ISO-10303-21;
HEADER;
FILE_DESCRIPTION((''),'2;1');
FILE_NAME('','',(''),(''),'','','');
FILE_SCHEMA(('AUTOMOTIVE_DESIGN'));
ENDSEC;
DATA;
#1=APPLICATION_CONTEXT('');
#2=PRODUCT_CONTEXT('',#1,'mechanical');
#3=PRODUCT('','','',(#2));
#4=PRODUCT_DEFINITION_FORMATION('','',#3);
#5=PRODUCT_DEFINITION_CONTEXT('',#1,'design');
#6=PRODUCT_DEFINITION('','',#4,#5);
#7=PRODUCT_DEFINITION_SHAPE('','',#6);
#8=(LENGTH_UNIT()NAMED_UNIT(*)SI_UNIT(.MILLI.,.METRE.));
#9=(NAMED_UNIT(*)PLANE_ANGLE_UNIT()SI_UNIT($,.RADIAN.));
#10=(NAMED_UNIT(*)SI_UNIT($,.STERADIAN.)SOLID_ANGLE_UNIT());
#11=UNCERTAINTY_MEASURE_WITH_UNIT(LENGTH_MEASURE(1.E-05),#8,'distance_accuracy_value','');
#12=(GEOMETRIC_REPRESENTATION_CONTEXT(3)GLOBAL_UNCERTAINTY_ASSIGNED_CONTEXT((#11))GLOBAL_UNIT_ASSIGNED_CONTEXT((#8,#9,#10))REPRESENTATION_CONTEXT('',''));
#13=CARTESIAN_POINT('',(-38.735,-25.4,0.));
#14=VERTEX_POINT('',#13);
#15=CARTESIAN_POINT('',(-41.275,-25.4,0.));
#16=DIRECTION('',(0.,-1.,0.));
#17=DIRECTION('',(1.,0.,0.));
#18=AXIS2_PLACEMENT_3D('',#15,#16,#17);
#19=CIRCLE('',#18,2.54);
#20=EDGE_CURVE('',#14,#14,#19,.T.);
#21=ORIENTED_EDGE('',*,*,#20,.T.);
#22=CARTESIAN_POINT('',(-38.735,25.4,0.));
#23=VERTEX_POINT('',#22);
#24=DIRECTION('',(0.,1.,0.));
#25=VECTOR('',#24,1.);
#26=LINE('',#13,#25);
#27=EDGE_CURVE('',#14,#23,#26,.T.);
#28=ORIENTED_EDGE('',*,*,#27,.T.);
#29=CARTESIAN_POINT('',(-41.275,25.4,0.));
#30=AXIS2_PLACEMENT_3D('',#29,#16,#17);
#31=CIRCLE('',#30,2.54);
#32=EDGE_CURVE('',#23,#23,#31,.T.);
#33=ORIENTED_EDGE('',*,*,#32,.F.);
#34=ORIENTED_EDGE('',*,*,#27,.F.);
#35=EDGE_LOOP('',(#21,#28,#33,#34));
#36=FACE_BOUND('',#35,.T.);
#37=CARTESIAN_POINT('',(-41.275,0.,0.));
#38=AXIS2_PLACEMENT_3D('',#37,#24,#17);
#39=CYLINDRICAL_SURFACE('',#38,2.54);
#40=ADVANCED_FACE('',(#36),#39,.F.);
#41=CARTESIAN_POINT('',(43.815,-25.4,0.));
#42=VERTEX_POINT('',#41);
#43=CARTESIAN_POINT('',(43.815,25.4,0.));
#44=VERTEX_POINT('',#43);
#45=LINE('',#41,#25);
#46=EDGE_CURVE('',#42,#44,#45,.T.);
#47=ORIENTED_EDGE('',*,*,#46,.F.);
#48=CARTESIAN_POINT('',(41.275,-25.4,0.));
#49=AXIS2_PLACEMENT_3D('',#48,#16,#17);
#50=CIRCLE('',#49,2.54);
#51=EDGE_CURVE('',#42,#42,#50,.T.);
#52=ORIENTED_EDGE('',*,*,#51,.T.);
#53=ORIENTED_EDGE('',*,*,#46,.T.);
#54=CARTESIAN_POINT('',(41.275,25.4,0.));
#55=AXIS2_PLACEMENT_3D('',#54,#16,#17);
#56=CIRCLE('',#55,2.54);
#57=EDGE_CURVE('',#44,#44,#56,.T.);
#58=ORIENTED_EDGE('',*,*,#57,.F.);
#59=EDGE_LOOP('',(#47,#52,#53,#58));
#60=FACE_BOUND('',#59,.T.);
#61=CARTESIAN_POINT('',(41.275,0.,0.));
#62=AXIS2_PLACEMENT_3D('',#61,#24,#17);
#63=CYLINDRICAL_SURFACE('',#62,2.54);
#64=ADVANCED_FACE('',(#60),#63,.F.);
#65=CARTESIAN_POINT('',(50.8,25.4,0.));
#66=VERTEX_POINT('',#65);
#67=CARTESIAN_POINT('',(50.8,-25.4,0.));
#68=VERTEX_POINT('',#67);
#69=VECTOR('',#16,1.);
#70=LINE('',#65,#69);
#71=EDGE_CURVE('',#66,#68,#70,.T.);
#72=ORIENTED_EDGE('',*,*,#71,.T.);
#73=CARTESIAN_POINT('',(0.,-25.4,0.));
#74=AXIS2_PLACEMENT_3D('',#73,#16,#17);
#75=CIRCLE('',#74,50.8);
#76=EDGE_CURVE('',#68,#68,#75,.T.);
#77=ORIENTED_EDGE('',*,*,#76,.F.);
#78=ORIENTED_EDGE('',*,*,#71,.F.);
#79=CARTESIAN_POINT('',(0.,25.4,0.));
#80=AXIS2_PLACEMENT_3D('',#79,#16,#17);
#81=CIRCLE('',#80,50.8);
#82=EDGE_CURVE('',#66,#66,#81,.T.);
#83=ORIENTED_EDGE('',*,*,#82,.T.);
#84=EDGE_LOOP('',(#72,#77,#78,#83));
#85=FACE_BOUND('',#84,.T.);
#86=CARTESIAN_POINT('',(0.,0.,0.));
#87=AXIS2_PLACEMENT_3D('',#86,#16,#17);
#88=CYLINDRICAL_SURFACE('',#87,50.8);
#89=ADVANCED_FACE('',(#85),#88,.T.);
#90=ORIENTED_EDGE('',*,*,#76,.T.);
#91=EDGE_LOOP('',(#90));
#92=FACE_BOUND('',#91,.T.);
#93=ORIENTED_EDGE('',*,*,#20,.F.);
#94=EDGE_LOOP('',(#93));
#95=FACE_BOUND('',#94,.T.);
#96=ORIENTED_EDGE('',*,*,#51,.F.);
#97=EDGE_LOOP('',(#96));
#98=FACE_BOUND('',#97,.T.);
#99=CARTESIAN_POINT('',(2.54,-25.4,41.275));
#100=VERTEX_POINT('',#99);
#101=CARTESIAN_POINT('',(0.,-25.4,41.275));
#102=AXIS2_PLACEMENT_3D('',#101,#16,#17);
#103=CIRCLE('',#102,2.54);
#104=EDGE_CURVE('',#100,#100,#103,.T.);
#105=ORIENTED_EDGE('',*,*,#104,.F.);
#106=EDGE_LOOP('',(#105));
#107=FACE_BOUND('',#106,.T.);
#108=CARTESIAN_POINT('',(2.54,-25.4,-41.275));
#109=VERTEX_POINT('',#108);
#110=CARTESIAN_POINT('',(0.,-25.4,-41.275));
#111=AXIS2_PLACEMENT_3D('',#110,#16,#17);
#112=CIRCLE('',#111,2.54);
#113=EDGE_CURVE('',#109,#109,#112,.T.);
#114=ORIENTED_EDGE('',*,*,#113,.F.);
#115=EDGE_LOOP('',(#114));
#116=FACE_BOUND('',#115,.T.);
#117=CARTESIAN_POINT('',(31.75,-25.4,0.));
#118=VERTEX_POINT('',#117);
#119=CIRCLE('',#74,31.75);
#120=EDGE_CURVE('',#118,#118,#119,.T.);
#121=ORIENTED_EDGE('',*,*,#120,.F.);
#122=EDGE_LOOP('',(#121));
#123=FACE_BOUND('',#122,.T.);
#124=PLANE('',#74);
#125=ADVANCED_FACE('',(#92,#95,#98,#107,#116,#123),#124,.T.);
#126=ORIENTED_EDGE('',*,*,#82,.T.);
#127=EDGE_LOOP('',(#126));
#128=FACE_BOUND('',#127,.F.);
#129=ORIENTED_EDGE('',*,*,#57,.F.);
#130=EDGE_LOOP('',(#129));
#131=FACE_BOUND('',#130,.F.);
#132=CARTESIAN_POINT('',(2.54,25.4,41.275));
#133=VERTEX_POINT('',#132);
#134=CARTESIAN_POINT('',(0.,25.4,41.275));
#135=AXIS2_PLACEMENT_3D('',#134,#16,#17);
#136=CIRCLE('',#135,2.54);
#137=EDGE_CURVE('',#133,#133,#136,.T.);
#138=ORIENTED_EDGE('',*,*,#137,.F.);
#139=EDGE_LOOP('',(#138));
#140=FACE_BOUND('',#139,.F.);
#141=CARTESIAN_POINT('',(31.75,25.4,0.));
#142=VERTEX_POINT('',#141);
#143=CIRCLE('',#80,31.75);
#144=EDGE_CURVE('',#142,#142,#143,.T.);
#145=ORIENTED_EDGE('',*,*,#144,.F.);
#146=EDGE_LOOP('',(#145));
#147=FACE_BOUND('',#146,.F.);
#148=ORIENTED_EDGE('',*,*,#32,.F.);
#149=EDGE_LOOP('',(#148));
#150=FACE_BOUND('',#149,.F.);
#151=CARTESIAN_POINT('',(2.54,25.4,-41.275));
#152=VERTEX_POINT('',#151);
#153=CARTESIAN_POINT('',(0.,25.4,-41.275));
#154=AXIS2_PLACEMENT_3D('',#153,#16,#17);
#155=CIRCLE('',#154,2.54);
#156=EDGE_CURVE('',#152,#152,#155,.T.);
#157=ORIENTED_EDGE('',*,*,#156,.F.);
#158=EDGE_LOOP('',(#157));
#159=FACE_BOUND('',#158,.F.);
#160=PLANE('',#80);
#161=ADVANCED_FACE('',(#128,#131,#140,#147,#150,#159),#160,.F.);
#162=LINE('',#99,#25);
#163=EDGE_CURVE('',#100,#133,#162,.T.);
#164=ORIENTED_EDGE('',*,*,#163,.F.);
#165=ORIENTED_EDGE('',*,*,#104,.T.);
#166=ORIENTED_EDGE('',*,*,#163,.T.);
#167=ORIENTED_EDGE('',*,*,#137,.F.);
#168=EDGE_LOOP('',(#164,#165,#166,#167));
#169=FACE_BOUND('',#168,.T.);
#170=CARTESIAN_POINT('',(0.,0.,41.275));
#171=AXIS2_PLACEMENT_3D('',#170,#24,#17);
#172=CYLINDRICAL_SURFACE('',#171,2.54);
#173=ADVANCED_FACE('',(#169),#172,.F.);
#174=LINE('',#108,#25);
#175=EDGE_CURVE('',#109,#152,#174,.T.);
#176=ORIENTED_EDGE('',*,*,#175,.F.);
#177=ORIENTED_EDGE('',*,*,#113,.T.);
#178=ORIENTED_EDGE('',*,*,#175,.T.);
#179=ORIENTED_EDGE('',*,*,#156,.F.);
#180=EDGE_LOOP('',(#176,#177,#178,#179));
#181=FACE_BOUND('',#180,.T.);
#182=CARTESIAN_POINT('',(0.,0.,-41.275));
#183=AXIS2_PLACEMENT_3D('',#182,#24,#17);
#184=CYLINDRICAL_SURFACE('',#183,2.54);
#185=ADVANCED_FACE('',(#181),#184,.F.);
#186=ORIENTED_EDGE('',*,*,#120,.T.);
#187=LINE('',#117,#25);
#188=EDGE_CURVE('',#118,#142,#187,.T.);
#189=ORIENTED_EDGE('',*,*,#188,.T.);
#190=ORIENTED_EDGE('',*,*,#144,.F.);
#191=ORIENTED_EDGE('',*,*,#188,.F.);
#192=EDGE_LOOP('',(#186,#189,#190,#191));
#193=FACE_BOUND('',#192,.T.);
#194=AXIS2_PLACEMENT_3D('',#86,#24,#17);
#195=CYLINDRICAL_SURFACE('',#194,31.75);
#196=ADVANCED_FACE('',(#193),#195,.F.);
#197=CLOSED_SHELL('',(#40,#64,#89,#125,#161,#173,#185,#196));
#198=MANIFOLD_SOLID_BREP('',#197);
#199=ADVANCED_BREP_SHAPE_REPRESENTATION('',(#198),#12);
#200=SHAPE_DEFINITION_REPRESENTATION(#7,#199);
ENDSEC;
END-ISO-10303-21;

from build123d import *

# Parameters (mm, degrees)
F0_R     = 50.8
F0_R_2   = 2.54
F0_R_3   = 31.75
F1_DEPTH = 25.4


with BuildPart() as f1:
    # F0 (on Front) → F1 (new body, symmetric)
    with BuildSketch(Plane.XZ):
        Circle(F0_R)
        with Locations((0, -41.275)):
            Circle(F0_R_2, mode=Mode.SUBTRACT)
        with Locations((-41.275, 0)):
            Circle(F0_R_2, mode=Mode.SUBTRACT)
        Circle(F0_R_3, mode=Mode.SUBTRACT)
        with Locations((41.275, 0)):
            Circle(F0_R_2, mode=Mode.SUBTRACT)
        with Locations((0, 41.275)):
            Circle(F0_R_2, mode=Mode.SUBTRACT)
    extrude(amount=F1_DEPTH, both=True)


solid = f1.part
